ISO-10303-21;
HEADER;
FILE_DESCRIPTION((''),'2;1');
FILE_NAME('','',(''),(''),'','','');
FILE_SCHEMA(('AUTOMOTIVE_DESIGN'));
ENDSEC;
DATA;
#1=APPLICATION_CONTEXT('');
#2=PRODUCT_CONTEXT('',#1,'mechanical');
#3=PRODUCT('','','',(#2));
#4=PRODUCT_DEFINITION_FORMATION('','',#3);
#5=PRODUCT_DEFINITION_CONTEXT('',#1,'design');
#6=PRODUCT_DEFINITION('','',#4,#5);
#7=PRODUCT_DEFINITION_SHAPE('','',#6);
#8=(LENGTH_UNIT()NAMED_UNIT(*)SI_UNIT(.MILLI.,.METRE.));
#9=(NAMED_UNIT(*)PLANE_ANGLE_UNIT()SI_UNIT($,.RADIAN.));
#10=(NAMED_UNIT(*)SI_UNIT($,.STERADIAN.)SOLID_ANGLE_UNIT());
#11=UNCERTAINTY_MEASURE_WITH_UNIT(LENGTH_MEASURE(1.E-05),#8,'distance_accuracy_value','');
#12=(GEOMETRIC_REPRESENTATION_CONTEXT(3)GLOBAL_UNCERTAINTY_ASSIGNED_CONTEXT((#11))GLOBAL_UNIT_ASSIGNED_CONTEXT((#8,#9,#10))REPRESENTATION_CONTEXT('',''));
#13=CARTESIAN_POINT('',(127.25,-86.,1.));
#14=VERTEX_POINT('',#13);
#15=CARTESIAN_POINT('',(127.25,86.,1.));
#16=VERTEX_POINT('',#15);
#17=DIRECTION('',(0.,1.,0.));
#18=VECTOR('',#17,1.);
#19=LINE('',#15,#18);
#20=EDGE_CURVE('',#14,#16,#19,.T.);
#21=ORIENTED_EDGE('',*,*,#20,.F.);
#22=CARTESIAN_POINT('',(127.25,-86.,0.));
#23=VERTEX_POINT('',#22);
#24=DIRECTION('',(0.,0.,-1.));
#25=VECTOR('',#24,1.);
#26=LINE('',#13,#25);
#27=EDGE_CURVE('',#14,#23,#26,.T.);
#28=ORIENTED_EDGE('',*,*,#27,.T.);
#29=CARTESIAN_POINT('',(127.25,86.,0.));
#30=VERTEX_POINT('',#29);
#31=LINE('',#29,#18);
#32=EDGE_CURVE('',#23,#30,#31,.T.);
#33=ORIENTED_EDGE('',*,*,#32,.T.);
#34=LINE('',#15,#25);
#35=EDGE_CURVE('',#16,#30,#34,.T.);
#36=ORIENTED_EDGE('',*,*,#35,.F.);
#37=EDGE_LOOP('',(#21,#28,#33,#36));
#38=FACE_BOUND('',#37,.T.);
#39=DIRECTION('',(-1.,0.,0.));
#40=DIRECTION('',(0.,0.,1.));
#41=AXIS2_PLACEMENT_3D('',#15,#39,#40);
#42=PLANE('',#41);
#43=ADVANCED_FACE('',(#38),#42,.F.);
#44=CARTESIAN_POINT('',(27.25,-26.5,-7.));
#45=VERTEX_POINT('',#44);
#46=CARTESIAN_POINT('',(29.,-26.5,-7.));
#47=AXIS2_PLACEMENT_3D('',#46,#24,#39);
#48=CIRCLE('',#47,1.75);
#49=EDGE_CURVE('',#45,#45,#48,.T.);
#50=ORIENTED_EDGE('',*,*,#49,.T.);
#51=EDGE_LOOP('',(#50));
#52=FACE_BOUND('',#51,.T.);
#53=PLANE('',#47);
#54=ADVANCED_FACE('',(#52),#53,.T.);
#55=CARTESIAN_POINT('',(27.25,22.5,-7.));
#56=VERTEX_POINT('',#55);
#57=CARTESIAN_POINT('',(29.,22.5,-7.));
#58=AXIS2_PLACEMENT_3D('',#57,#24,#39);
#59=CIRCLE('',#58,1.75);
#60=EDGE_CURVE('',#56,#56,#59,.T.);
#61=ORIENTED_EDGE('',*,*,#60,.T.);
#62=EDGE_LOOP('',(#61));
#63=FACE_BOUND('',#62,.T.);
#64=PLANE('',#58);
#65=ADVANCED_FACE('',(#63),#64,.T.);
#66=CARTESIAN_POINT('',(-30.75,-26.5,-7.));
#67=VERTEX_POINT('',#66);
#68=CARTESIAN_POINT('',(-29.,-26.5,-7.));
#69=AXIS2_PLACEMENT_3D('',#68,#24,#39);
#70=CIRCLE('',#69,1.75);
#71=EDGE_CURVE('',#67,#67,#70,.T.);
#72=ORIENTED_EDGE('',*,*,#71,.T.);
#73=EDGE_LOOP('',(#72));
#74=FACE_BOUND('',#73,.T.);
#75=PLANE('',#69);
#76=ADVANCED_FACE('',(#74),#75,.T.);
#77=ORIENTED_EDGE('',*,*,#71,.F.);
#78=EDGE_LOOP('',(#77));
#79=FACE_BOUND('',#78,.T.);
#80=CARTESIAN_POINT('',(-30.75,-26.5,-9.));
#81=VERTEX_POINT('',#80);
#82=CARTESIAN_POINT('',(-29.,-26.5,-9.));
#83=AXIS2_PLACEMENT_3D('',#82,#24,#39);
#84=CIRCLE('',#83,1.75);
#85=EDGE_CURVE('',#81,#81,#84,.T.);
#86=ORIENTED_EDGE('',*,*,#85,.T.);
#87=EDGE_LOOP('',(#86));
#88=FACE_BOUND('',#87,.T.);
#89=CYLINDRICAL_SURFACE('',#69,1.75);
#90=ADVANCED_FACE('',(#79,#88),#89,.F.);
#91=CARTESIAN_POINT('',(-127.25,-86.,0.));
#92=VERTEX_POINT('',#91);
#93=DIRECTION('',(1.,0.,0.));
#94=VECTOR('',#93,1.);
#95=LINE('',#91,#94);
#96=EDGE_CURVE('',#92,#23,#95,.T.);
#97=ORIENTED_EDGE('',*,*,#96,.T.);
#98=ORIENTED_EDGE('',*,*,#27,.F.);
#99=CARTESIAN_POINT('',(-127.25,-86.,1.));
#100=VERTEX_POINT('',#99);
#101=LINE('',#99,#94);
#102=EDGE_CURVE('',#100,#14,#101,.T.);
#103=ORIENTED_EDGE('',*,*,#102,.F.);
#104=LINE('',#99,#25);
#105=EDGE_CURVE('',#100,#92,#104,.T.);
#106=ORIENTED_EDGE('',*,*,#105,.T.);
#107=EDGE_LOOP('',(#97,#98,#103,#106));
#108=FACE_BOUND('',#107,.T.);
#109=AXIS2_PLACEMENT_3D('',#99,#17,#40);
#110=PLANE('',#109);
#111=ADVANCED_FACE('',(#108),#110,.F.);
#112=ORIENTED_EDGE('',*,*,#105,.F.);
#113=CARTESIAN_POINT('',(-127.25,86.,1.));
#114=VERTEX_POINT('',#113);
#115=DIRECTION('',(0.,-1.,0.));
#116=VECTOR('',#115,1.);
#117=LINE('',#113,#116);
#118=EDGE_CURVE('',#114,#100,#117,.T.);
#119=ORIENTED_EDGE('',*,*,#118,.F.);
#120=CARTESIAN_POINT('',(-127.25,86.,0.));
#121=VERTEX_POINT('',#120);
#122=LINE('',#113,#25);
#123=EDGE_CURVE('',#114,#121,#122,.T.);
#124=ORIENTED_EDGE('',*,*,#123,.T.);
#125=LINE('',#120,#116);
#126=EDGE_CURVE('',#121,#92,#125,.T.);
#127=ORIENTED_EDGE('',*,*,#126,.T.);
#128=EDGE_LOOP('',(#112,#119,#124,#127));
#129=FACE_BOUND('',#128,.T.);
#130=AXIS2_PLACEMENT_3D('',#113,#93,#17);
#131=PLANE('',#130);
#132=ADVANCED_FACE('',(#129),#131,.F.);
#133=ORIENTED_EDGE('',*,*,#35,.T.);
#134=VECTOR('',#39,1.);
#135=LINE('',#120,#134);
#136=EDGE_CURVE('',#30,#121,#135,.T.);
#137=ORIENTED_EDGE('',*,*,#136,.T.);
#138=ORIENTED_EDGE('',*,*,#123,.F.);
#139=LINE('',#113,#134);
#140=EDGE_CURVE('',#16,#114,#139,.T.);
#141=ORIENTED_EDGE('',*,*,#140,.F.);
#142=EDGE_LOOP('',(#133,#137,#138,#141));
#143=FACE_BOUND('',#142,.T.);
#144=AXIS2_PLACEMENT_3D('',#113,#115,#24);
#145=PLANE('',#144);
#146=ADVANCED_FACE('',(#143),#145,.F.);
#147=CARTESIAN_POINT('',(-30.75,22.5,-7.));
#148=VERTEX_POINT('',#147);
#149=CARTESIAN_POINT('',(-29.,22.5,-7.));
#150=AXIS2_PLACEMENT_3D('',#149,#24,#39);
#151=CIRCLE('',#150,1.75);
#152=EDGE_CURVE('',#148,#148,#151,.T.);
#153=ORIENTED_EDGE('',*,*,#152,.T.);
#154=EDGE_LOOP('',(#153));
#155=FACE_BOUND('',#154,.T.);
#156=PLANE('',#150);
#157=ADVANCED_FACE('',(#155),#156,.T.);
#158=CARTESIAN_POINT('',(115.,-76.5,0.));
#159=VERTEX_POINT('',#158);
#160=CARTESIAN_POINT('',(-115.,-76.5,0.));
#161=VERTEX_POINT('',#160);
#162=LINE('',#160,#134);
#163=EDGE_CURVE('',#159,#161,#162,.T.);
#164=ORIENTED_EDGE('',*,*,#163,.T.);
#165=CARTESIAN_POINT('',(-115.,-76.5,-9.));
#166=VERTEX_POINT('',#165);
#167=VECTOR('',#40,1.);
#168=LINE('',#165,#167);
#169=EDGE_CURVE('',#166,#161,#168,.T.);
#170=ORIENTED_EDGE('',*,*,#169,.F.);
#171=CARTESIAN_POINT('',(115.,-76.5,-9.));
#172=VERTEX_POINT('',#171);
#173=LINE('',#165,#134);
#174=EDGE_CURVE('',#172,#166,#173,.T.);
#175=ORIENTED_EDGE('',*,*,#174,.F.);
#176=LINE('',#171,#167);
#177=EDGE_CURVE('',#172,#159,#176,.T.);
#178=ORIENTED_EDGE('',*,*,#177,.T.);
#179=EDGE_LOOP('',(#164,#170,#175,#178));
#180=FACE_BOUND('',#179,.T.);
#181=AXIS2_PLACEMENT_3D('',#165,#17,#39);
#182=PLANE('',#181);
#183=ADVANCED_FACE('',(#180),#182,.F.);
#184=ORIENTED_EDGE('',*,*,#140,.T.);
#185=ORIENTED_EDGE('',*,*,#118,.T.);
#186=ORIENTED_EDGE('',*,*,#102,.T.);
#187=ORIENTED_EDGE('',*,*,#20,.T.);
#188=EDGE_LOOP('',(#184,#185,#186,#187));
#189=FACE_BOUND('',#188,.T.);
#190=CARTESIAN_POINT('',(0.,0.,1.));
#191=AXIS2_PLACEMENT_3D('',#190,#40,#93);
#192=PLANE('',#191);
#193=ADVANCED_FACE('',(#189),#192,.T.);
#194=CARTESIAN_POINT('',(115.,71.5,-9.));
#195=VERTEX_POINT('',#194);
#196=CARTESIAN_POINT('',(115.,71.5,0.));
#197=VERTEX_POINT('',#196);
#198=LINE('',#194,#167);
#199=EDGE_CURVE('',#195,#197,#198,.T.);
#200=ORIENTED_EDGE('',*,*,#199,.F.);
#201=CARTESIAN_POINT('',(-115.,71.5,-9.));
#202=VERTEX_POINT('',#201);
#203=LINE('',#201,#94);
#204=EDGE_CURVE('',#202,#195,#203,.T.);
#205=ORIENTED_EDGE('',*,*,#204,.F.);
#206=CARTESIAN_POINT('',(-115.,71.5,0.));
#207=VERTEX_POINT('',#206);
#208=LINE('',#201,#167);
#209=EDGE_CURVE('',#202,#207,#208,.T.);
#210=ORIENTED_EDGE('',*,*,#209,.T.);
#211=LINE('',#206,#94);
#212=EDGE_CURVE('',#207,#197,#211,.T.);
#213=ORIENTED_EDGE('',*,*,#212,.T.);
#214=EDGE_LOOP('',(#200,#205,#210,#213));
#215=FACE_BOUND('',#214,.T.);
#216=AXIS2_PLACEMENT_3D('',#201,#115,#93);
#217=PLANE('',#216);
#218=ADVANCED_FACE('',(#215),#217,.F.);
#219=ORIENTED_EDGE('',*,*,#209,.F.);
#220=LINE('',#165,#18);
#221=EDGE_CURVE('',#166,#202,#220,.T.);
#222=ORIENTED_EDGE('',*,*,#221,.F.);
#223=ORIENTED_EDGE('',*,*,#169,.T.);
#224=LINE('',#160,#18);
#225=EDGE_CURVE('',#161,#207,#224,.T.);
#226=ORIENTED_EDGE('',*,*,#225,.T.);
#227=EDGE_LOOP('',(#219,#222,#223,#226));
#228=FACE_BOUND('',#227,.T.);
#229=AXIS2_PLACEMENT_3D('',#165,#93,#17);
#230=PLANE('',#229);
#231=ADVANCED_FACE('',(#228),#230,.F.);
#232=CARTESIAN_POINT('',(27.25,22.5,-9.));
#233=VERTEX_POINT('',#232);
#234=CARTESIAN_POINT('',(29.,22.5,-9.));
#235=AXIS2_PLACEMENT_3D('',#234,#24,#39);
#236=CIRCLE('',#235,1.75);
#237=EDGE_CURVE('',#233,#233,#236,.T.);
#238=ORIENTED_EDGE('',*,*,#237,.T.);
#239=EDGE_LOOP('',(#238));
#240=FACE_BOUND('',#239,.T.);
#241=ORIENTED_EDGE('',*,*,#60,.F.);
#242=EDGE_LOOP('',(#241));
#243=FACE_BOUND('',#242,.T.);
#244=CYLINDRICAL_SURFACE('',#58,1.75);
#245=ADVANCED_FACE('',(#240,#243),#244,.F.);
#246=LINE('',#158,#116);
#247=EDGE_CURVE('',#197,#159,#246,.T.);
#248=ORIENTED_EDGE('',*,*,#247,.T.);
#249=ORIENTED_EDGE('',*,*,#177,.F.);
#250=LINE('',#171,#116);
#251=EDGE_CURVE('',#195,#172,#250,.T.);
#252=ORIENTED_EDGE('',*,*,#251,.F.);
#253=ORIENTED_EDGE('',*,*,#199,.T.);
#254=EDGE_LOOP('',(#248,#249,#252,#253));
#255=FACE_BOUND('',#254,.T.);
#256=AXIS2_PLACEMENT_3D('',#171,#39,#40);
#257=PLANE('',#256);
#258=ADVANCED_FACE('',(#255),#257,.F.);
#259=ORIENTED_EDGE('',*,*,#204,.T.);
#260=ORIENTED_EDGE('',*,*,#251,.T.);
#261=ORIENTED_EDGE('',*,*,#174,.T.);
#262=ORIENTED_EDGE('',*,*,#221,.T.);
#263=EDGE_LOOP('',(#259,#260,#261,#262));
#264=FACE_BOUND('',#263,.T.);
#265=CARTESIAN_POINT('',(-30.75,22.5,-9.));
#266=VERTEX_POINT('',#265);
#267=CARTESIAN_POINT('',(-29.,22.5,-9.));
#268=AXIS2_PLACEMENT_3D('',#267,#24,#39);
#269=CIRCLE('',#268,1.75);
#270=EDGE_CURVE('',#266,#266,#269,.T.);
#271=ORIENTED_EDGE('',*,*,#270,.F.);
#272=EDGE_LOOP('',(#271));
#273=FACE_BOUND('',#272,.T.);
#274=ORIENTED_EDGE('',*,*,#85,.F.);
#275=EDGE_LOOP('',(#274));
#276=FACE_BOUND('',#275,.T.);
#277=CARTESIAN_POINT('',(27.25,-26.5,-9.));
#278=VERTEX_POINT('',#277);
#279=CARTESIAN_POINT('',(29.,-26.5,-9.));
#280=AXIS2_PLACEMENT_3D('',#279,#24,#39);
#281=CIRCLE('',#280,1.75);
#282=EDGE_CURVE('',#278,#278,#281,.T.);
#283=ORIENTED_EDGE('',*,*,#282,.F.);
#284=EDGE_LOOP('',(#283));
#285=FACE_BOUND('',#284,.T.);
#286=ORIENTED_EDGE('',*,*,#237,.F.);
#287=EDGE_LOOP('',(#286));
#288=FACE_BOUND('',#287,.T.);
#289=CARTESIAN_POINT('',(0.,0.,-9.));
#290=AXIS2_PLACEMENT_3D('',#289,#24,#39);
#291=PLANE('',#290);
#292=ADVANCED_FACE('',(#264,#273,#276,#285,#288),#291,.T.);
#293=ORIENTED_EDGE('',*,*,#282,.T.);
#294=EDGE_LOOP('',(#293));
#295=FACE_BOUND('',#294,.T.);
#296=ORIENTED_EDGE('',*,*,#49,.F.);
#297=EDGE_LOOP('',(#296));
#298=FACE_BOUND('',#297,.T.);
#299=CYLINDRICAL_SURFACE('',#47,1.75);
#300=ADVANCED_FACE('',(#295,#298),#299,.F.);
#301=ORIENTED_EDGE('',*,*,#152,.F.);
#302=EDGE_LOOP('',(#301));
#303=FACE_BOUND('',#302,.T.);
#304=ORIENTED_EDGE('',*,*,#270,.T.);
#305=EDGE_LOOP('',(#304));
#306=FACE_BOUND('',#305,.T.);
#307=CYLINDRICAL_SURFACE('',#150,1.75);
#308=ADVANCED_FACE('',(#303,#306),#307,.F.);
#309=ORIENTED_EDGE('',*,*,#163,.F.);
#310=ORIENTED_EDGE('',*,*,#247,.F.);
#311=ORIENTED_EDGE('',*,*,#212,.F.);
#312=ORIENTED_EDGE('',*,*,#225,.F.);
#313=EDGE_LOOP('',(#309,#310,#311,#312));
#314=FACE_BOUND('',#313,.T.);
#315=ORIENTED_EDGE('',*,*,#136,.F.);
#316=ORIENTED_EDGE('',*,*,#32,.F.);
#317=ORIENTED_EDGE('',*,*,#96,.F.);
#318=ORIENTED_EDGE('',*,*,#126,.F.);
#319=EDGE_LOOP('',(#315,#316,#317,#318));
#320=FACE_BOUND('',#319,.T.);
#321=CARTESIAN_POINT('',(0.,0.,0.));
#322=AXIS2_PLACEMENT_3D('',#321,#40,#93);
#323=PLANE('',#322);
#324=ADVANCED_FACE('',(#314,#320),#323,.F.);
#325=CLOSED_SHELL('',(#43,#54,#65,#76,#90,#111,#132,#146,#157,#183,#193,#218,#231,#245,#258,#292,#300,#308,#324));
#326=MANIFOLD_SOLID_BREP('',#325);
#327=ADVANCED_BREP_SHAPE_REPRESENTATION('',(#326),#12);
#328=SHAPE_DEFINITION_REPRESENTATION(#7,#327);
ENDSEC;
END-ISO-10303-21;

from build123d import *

# Parameters (mm, degrees)
SKETCH1_W           = 254.5
SKETCH1_H           = 172
BOSS_EXTRUDE1_DEPTH = 1
SKETCH2_W           = 230
SKETCH2_H           = 148
BOSS_EXTRUDE2_DEPTH = 9
SKETCH3_R           = 1.75
CUT_EXTRUDE1_DEPTH  = 2


with BuildPart() as part:
    # Sketch1 → Boss-Extrude1 (new body)
    with BuildSketch(Plane.XY):
        Rectangle(SKETCH1_W, SKETCH1_H)
    extrude(amount=BOSS_EXTRUDE1_DEPTH)

    # Sketch2 → Boss-Extrude2 (add)
    with BuildSketch(Plane(origin=(0, 0, 0), x_dir=(-1, 0, 0), z_dir=(0, 0, -1))):
        with Locations((0, -2.5)):
            Rectangle(SKETCH2_W, SKETCH2_H)
    extrude(amount=BOSS_EXTRUDE2_DEPTH)

    # Sketch3 → Cut-Extrude1 (cut)
    with BuildSketch(Plane(origin=(0, 0, -9), x_dir=(-1, 0, 0), z_dir=(0, 0, -1))):
        with Locations((29, -26.5)):
            Circle(SKETCH3_R)
        with Locations((-29, -26.5)):
            Circle(SKETCH3_R)
        with Locations((-29, 22.5)):
            Circle(SKETCH3_R)
        with Locations((29, 22.5)):
            Circle(SKETCH3_R)
    extrude(amount=-CUT_EXTRUDE1_DEPTH, mode=Mode.SUBTRACT)


solid = part.part
